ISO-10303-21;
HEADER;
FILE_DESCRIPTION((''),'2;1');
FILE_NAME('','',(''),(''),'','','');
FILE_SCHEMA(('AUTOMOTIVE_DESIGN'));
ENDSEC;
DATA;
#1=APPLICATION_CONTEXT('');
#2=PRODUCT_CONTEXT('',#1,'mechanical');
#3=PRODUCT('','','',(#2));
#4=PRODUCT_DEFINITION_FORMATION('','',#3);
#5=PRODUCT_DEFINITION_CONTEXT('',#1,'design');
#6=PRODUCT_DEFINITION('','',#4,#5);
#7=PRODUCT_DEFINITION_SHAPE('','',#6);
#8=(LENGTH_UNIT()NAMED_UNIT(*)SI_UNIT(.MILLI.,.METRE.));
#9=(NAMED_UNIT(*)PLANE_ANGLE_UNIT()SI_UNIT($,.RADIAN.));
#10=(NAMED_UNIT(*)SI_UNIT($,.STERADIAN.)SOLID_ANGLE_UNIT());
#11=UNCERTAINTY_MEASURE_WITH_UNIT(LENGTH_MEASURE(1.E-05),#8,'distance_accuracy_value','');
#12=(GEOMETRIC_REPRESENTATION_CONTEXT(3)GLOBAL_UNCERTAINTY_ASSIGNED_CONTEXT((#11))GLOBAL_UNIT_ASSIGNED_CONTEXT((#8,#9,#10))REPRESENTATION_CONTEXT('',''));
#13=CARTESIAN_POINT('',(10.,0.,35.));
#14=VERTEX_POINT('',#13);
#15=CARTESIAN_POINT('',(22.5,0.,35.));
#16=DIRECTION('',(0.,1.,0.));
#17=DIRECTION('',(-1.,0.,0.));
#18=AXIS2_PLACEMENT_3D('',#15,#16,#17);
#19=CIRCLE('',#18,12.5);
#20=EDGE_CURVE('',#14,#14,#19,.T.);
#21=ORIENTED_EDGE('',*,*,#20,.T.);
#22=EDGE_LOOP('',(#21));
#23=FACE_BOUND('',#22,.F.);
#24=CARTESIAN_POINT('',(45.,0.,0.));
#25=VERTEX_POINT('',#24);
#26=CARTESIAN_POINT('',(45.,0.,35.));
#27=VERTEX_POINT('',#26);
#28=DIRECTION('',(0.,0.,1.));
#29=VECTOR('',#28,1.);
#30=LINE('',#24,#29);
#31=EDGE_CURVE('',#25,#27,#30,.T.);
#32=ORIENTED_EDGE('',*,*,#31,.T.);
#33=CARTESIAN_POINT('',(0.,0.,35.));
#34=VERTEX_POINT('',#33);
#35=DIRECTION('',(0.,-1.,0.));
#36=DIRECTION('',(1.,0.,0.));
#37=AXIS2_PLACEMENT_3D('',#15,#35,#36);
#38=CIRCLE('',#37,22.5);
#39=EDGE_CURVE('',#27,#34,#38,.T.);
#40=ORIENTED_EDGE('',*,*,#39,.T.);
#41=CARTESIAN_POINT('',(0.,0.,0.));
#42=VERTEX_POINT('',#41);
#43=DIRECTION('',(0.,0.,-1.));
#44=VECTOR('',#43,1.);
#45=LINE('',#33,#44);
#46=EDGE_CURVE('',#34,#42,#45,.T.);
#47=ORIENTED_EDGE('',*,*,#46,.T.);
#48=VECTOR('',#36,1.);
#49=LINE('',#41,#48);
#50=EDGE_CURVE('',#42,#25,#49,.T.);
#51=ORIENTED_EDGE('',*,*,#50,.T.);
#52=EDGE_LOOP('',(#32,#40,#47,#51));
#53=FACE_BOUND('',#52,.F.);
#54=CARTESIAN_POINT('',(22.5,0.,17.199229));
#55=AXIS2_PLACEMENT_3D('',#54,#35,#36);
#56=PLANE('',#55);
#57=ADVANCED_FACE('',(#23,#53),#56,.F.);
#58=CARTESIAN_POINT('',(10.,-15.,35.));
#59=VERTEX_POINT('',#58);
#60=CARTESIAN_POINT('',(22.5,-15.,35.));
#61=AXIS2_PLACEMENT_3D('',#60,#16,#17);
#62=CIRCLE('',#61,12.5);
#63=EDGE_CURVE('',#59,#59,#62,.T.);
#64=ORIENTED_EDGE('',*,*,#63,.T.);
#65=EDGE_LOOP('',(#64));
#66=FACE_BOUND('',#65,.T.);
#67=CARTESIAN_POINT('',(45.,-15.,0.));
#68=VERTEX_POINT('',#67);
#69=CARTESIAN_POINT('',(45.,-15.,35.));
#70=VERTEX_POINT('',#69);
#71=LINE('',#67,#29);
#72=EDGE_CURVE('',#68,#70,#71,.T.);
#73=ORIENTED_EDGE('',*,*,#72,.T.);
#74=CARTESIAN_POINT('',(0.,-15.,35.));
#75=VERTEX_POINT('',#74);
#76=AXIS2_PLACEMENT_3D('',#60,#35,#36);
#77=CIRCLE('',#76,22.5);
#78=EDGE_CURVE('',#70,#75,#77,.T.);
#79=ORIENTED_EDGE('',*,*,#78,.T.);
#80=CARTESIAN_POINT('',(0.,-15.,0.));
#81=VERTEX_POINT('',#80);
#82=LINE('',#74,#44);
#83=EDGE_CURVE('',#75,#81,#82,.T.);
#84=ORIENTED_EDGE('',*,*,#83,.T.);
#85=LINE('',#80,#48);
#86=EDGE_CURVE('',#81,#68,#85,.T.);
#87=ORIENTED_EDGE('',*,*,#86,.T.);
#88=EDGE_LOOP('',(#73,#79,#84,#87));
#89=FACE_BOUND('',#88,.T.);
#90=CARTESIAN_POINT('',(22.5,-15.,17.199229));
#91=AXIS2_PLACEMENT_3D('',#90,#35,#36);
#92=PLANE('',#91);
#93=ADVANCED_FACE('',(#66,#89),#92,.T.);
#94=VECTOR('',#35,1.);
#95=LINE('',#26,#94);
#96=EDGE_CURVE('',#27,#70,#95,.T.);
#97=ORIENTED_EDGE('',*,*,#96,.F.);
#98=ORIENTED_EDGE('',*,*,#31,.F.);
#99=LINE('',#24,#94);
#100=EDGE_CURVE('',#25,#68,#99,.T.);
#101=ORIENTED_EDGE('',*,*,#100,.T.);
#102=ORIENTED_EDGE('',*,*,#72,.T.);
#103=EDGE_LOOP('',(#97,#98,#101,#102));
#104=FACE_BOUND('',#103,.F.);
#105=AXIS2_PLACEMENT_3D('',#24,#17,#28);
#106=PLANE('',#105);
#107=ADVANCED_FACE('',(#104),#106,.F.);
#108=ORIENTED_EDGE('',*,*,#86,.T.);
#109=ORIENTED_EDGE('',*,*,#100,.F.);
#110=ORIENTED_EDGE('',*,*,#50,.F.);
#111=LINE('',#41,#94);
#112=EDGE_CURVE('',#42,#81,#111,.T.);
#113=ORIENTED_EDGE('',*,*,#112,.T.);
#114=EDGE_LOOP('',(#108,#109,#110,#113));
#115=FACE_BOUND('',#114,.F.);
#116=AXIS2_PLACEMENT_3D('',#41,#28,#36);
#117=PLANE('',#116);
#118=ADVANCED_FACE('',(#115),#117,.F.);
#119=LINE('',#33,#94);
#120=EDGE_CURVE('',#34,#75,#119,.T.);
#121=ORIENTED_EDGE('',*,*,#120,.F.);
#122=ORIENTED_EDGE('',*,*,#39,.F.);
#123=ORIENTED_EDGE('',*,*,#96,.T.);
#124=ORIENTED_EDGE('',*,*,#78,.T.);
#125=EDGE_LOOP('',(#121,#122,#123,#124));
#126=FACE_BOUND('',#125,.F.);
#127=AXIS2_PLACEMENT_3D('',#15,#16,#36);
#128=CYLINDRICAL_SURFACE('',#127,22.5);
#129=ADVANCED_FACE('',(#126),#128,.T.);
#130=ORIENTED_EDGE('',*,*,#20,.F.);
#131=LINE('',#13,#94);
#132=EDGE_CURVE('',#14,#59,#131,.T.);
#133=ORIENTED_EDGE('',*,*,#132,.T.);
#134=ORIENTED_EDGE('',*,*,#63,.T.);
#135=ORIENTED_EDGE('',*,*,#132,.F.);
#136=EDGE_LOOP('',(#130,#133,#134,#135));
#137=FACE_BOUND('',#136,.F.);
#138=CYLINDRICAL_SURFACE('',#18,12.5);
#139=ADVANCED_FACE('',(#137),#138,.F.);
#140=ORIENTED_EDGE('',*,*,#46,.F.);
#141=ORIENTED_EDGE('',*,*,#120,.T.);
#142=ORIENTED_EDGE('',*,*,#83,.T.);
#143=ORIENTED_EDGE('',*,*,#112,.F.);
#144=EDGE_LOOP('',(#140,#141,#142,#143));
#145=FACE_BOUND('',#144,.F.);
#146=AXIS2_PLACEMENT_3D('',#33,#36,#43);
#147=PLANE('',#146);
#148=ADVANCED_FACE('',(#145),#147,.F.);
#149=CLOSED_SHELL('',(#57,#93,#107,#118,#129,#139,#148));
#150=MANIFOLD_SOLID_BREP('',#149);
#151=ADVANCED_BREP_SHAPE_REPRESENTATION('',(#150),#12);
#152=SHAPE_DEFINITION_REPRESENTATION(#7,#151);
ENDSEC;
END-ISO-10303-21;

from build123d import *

# Parameters (mm, degrees)
F1_DEPTH = 15


with BuildPart() as f1:
    # F0 (on Front) → F1 (new body)
    with BuildSketch(Plane.XZ):
        with BuildLine():
            Line((0, 35), (0, 0))
            Line((0, 0), (45, 0))
            Line((45, 0), (45, 35))
            Line((45, 35), (35, 35))
            ThreePointArc((35, 35), (22.5, 22.5), (10, 35))
            Line((10, 35), (0, 35))
        make_face()
        with BuildLine():
            ThreePointArc((45, 35), (22.5, 57.5), (0, 35))
            Line((0, 35), (10, 35))
            ThreePointArc((10, 35), (22.5, 47.5), (35, 35))
            Line((35, 35), (45, 35))
        make_face()
    extrude(amount=F1_DEPTH)


solid = f1.part
